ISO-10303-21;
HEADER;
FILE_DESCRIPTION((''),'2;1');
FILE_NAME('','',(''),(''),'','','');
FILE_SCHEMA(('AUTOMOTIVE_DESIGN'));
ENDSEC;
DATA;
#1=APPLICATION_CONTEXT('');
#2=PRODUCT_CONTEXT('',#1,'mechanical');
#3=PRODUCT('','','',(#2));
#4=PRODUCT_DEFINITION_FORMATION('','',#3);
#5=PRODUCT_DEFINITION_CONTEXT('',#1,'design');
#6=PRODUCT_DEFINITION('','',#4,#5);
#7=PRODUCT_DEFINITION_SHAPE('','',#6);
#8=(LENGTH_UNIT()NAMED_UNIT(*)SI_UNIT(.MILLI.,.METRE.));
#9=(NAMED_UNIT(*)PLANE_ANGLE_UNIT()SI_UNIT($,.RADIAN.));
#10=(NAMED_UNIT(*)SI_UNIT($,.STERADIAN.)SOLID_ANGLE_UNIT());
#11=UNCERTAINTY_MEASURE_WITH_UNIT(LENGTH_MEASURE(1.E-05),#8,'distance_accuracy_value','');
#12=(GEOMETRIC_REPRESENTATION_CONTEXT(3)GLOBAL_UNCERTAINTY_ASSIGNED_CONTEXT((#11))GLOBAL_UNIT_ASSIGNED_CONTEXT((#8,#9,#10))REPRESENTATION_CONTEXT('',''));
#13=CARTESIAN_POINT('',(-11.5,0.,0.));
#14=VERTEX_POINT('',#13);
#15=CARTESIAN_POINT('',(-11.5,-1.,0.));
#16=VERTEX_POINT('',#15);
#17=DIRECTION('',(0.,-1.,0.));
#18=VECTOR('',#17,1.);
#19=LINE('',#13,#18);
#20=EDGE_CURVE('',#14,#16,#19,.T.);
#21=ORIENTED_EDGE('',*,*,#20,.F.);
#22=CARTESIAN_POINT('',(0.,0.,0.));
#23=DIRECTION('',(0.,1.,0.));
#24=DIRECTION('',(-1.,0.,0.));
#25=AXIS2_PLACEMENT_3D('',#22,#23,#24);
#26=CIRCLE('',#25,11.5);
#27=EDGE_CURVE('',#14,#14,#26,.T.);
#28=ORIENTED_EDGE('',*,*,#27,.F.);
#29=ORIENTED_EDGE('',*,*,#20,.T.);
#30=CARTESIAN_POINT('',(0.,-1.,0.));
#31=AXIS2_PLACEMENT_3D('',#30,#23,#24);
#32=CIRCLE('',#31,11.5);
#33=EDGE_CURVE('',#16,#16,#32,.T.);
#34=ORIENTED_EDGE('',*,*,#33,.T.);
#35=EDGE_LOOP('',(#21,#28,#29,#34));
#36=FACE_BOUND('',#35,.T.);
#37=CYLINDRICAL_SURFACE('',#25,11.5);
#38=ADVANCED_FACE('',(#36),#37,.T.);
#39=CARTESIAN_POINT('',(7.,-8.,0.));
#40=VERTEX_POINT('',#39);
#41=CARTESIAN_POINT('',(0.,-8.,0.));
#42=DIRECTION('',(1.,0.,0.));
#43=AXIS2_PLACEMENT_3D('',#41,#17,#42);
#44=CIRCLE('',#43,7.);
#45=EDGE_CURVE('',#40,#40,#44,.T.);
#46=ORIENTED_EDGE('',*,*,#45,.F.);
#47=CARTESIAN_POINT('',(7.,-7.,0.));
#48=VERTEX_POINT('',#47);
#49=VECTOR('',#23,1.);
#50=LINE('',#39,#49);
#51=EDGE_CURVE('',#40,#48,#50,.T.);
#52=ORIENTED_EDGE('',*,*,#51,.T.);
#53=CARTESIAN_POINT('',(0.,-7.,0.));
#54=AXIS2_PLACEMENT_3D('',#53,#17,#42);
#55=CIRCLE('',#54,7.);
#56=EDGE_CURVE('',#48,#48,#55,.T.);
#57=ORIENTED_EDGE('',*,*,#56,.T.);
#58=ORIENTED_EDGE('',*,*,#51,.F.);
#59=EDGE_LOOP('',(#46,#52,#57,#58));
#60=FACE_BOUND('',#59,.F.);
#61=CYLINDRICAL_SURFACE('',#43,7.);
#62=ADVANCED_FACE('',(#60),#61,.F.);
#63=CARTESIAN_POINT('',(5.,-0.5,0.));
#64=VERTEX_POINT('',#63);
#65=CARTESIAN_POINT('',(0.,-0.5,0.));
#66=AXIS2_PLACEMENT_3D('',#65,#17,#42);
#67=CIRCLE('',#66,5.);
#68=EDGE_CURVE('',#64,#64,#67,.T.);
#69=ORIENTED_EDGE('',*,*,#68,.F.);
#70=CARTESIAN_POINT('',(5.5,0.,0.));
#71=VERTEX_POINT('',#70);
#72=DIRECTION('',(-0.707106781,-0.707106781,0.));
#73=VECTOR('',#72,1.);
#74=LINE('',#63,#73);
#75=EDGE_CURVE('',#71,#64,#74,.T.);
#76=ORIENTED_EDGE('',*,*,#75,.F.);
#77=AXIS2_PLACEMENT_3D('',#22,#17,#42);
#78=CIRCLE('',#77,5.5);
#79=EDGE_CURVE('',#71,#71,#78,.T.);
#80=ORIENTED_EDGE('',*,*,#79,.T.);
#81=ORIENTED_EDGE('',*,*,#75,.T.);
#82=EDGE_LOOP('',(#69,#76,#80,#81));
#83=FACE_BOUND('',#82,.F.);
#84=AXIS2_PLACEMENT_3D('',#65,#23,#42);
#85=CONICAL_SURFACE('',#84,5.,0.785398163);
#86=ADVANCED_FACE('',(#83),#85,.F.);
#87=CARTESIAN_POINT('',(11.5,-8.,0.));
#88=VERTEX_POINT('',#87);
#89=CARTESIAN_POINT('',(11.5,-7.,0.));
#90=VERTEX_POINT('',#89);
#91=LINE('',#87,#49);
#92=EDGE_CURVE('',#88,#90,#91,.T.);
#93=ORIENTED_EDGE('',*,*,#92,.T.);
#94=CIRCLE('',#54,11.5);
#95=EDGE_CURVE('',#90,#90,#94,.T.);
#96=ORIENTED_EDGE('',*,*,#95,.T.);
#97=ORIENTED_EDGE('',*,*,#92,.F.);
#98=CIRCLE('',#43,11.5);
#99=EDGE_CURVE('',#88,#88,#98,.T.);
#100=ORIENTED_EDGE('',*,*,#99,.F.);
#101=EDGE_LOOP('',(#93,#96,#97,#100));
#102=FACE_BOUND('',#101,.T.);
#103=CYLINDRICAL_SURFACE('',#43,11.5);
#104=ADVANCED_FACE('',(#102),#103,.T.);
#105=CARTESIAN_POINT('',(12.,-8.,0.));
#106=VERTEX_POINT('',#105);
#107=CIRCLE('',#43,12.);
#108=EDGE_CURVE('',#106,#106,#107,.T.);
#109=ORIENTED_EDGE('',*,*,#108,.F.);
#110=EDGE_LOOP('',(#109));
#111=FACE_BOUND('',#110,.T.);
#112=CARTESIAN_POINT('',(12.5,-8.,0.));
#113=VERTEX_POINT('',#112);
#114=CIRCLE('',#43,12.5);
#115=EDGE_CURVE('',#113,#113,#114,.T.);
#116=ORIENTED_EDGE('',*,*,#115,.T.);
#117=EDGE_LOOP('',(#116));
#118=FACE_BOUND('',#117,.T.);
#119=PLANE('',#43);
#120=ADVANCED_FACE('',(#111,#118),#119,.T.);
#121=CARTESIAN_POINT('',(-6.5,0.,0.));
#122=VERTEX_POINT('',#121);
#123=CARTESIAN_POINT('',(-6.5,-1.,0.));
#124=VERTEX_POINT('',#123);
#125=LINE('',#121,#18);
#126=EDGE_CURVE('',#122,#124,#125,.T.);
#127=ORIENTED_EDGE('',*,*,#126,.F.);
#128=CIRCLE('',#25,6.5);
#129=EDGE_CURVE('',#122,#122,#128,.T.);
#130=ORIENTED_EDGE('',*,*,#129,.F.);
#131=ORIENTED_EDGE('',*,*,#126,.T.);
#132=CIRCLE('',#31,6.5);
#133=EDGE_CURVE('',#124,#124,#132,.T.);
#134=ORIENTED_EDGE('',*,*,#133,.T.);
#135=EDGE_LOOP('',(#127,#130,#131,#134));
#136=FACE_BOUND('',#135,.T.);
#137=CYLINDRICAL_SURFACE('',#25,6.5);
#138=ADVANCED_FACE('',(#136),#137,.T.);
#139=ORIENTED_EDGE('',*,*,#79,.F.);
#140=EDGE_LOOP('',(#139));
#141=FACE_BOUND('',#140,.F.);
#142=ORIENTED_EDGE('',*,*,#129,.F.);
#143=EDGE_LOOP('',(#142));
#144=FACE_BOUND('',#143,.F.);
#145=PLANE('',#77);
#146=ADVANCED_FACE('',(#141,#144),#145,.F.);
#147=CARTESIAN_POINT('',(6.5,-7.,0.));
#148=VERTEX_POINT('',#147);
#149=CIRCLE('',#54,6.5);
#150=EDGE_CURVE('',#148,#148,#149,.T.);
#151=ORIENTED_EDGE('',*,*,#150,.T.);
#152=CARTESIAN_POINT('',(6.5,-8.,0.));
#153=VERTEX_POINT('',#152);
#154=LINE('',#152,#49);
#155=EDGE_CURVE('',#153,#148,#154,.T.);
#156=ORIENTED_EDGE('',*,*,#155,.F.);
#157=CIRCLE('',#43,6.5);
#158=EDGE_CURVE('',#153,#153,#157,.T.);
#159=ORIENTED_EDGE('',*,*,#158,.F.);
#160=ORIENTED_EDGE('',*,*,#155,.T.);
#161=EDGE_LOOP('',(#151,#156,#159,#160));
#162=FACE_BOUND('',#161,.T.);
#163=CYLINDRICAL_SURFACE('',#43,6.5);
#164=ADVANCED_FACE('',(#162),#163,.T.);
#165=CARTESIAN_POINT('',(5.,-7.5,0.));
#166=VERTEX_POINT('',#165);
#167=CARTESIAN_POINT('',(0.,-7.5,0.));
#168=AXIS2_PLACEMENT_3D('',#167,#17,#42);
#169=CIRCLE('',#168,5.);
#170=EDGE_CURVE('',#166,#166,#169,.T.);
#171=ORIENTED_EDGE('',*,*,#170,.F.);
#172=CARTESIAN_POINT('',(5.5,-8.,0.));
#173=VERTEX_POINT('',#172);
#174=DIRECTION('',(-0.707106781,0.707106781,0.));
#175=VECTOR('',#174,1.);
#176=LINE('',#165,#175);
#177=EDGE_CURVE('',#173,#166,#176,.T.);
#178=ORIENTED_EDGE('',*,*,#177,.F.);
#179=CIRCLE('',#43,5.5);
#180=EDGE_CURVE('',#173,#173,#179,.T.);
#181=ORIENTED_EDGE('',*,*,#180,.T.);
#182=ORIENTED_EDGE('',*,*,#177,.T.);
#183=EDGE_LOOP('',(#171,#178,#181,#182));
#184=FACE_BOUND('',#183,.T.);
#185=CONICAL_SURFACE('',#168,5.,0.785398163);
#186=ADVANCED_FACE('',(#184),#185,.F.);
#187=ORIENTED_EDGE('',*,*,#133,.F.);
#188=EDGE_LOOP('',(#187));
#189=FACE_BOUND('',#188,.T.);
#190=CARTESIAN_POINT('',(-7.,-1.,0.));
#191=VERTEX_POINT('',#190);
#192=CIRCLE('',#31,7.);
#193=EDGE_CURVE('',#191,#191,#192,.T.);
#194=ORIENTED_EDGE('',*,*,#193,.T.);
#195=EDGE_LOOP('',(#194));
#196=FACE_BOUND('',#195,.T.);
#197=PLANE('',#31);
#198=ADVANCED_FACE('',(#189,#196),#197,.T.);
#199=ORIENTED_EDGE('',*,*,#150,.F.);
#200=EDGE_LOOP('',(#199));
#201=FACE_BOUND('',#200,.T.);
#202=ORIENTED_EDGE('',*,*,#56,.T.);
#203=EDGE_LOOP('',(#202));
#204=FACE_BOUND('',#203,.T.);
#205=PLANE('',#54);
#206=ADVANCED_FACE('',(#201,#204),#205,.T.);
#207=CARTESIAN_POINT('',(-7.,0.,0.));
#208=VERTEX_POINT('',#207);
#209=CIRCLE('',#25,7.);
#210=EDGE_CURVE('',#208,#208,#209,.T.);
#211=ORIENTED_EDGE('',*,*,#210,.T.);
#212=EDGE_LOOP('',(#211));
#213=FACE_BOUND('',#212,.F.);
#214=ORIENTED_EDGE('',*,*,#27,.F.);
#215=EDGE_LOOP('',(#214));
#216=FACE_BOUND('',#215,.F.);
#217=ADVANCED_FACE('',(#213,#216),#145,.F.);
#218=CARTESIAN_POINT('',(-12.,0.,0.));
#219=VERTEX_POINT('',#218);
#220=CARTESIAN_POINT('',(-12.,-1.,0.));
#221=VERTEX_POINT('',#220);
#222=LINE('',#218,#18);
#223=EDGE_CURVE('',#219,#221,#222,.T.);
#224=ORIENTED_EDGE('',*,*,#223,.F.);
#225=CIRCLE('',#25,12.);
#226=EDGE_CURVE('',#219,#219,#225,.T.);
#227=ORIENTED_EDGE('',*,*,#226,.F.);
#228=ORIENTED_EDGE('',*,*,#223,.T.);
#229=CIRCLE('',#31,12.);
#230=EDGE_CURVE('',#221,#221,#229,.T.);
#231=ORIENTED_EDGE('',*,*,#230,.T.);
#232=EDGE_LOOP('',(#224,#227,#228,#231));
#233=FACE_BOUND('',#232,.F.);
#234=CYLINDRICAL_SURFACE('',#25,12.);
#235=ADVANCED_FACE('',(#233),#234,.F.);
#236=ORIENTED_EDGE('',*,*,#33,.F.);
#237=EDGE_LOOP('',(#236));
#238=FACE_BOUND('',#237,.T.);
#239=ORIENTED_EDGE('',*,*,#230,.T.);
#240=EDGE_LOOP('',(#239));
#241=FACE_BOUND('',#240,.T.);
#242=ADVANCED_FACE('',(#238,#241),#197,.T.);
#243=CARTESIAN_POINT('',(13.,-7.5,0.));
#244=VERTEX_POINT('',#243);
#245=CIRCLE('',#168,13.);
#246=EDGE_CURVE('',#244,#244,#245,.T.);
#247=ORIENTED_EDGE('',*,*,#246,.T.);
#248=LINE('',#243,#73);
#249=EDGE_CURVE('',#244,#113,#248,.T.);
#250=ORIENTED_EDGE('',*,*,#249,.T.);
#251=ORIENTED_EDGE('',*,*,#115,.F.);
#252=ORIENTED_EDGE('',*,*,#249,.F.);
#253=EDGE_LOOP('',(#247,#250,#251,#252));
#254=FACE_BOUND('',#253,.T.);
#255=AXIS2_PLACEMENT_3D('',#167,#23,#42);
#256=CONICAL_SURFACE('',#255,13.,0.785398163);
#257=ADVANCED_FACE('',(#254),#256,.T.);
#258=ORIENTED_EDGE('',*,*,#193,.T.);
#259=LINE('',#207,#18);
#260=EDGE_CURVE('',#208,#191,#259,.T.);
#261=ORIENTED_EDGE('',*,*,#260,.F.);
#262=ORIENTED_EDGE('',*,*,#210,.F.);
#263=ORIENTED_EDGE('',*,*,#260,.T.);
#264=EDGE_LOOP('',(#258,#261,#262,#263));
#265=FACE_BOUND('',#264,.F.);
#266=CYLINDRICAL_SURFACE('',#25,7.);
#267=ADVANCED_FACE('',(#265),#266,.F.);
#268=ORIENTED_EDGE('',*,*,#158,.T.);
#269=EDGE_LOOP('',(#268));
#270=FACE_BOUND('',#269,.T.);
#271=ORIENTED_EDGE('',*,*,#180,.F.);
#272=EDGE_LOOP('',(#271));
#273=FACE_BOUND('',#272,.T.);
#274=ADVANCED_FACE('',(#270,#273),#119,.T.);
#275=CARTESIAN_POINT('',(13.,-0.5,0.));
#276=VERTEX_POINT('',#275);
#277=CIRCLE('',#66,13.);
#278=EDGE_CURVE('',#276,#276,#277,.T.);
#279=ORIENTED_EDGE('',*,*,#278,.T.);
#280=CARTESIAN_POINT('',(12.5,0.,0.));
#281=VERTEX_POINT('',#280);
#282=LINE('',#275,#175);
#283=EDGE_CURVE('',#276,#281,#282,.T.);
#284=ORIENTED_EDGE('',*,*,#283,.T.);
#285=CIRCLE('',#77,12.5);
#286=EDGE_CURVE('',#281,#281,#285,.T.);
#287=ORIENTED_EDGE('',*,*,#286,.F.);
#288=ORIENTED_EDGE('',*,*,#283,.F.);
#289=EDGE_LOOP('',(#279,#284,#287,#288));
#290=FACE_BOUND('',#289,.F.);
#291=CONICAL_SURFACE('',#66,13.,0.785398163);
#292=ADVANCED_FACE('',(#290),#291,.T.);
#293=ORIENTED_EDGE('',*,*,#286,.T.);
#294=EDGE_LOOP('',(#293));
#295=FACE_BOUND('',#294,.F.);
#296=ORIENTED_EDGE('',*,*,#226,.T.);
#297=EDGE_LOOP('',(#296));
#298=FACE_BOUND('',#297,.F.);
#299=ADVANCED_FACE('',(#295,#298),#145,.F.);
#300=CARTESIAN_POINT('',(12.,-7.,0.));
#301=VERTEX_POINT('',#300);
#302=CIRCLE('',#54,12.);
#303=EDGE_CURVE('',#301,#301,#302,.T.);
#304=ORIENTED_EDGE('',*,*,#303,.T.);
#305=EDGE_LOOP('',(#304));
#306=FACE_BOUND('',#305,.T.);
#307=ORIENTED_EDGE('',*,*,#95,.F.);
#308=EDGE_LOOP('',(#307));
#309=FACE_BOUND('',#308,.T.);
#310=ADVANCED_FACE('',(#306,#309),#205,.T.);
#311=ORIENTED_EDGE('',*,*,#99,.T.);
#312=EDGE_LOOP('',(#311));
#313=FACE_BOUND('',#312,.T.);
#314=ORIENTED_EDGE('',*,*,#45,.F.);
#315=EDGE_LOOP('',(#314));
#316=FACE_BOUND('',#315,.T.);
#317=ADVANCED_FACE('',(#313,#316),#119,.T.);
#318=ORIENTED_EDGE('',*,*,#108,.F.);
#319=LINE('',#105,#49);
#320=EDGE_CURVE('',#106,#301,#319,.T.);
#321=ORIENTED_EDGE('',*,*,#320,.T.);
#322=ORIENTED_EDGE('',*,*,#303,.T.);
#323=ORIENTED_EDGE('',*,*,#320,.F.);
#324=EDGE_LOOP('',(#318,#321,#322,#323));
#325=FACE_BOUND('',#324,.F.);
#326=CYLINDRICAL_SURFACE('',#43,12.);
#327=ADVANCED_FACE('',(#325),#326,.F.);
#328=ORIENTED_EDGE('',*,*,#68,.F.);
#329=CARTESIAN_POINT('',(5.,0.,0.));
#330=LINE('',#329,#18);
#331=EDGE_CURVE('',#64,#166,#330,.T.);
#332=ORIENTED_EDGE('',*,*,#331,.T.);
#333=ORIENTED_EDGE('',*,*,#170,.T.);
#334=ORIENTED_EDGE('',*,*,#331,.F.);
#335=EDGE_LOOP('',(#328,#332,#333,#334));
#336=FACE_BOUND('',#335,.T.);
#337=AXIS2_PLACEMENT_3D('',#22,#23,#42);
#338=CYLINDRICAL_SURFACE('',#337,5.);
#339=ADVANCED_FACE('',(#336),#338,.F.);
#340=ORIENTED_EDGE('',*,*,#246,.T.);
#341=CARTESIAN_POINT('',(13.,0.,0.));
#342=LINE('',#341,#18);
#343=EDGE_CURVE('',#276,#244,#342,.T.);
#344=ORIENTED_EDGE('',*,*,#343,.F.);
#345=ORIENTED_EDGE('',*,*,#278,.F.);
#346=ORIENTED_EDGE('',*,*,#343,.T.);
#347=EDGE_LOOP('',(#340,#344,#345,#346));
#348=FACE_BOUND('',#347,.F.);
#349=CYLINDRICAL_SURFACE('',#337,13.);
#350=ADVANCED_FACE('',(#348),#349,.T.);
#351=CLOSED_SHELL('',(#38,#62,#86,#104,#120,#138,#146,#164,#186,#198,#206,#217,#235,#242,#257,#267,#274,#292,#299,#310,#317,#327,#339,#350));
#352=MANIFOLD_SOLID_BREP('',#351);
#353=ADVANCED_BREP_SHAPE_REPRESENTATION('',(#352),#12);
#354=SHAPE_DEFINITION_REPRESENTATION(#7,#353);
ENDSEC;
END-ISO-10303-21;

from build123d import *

# Parameters (mm, degrees)
F0_R     = 13
F0_R_2   = 5
F1_DEPTH = 8
F2_R     = 12
F2_R_2   = 11.5
F2_R_3   = 7
F2_R_4   = 6.5
F3_DEPTH = 1
F4_R     = 12
F4_R_2   = 11.5
F4_R_3   = 7
F4_R_4   = 6.5
F5_DEPTH = 1
F6_SIZE  = 0.5


with BuildPart() as f1:
    # F0 (on Front) → F1 (new body)
    with BuildSketch(Plane.XZ):
        Circle(F0_R)
        Circle(F0_R_2, mode=Mode.SUBTRACT)
    extrude(amount=F1_DEPTH)

    # F2 (on face) → F3 (cut)
    with BuildSketch(Plane.XZ.offset(8)):
        Circle(F2_R)
        Circle(F2_R_2, mode=Mode.SUBTRACT)
        Circle(F2_R_3)
        Circle(F2_R_4, mode=Mode.SUBTRACT)
    extrude(amount=-F3_DEPTH, mode=Mode.SUBTRACT)

    # F4 (on face) → F5 (cut)
    with BuildSketch(Plane(origin=(0, 0, 0), x_dir=(-1, 0, 0), z_dir=(0, 1, 0))):
        Circle(F4_R)
        Circle(F4_R_2, mode=Mode.SUBTRACT)
        Circle(F4_R_3)
        Circle(F4_R_4, mode=Mode.SUBTRACT)
    extrude(amount=-F5_DEPTH, mode=Mode.SUBTRACT)

    # F6
    f6_edges = [f1.edges().sort_by_distance(p)[0] for p in [
        (-13, 0, 0),
        (-5, 0, 0),
        (-5, -8, 0),
        (-13, -8, 0),
    ]]
    chamfer(f6_edges, length=F6_SIZE)


solid = f1.part
